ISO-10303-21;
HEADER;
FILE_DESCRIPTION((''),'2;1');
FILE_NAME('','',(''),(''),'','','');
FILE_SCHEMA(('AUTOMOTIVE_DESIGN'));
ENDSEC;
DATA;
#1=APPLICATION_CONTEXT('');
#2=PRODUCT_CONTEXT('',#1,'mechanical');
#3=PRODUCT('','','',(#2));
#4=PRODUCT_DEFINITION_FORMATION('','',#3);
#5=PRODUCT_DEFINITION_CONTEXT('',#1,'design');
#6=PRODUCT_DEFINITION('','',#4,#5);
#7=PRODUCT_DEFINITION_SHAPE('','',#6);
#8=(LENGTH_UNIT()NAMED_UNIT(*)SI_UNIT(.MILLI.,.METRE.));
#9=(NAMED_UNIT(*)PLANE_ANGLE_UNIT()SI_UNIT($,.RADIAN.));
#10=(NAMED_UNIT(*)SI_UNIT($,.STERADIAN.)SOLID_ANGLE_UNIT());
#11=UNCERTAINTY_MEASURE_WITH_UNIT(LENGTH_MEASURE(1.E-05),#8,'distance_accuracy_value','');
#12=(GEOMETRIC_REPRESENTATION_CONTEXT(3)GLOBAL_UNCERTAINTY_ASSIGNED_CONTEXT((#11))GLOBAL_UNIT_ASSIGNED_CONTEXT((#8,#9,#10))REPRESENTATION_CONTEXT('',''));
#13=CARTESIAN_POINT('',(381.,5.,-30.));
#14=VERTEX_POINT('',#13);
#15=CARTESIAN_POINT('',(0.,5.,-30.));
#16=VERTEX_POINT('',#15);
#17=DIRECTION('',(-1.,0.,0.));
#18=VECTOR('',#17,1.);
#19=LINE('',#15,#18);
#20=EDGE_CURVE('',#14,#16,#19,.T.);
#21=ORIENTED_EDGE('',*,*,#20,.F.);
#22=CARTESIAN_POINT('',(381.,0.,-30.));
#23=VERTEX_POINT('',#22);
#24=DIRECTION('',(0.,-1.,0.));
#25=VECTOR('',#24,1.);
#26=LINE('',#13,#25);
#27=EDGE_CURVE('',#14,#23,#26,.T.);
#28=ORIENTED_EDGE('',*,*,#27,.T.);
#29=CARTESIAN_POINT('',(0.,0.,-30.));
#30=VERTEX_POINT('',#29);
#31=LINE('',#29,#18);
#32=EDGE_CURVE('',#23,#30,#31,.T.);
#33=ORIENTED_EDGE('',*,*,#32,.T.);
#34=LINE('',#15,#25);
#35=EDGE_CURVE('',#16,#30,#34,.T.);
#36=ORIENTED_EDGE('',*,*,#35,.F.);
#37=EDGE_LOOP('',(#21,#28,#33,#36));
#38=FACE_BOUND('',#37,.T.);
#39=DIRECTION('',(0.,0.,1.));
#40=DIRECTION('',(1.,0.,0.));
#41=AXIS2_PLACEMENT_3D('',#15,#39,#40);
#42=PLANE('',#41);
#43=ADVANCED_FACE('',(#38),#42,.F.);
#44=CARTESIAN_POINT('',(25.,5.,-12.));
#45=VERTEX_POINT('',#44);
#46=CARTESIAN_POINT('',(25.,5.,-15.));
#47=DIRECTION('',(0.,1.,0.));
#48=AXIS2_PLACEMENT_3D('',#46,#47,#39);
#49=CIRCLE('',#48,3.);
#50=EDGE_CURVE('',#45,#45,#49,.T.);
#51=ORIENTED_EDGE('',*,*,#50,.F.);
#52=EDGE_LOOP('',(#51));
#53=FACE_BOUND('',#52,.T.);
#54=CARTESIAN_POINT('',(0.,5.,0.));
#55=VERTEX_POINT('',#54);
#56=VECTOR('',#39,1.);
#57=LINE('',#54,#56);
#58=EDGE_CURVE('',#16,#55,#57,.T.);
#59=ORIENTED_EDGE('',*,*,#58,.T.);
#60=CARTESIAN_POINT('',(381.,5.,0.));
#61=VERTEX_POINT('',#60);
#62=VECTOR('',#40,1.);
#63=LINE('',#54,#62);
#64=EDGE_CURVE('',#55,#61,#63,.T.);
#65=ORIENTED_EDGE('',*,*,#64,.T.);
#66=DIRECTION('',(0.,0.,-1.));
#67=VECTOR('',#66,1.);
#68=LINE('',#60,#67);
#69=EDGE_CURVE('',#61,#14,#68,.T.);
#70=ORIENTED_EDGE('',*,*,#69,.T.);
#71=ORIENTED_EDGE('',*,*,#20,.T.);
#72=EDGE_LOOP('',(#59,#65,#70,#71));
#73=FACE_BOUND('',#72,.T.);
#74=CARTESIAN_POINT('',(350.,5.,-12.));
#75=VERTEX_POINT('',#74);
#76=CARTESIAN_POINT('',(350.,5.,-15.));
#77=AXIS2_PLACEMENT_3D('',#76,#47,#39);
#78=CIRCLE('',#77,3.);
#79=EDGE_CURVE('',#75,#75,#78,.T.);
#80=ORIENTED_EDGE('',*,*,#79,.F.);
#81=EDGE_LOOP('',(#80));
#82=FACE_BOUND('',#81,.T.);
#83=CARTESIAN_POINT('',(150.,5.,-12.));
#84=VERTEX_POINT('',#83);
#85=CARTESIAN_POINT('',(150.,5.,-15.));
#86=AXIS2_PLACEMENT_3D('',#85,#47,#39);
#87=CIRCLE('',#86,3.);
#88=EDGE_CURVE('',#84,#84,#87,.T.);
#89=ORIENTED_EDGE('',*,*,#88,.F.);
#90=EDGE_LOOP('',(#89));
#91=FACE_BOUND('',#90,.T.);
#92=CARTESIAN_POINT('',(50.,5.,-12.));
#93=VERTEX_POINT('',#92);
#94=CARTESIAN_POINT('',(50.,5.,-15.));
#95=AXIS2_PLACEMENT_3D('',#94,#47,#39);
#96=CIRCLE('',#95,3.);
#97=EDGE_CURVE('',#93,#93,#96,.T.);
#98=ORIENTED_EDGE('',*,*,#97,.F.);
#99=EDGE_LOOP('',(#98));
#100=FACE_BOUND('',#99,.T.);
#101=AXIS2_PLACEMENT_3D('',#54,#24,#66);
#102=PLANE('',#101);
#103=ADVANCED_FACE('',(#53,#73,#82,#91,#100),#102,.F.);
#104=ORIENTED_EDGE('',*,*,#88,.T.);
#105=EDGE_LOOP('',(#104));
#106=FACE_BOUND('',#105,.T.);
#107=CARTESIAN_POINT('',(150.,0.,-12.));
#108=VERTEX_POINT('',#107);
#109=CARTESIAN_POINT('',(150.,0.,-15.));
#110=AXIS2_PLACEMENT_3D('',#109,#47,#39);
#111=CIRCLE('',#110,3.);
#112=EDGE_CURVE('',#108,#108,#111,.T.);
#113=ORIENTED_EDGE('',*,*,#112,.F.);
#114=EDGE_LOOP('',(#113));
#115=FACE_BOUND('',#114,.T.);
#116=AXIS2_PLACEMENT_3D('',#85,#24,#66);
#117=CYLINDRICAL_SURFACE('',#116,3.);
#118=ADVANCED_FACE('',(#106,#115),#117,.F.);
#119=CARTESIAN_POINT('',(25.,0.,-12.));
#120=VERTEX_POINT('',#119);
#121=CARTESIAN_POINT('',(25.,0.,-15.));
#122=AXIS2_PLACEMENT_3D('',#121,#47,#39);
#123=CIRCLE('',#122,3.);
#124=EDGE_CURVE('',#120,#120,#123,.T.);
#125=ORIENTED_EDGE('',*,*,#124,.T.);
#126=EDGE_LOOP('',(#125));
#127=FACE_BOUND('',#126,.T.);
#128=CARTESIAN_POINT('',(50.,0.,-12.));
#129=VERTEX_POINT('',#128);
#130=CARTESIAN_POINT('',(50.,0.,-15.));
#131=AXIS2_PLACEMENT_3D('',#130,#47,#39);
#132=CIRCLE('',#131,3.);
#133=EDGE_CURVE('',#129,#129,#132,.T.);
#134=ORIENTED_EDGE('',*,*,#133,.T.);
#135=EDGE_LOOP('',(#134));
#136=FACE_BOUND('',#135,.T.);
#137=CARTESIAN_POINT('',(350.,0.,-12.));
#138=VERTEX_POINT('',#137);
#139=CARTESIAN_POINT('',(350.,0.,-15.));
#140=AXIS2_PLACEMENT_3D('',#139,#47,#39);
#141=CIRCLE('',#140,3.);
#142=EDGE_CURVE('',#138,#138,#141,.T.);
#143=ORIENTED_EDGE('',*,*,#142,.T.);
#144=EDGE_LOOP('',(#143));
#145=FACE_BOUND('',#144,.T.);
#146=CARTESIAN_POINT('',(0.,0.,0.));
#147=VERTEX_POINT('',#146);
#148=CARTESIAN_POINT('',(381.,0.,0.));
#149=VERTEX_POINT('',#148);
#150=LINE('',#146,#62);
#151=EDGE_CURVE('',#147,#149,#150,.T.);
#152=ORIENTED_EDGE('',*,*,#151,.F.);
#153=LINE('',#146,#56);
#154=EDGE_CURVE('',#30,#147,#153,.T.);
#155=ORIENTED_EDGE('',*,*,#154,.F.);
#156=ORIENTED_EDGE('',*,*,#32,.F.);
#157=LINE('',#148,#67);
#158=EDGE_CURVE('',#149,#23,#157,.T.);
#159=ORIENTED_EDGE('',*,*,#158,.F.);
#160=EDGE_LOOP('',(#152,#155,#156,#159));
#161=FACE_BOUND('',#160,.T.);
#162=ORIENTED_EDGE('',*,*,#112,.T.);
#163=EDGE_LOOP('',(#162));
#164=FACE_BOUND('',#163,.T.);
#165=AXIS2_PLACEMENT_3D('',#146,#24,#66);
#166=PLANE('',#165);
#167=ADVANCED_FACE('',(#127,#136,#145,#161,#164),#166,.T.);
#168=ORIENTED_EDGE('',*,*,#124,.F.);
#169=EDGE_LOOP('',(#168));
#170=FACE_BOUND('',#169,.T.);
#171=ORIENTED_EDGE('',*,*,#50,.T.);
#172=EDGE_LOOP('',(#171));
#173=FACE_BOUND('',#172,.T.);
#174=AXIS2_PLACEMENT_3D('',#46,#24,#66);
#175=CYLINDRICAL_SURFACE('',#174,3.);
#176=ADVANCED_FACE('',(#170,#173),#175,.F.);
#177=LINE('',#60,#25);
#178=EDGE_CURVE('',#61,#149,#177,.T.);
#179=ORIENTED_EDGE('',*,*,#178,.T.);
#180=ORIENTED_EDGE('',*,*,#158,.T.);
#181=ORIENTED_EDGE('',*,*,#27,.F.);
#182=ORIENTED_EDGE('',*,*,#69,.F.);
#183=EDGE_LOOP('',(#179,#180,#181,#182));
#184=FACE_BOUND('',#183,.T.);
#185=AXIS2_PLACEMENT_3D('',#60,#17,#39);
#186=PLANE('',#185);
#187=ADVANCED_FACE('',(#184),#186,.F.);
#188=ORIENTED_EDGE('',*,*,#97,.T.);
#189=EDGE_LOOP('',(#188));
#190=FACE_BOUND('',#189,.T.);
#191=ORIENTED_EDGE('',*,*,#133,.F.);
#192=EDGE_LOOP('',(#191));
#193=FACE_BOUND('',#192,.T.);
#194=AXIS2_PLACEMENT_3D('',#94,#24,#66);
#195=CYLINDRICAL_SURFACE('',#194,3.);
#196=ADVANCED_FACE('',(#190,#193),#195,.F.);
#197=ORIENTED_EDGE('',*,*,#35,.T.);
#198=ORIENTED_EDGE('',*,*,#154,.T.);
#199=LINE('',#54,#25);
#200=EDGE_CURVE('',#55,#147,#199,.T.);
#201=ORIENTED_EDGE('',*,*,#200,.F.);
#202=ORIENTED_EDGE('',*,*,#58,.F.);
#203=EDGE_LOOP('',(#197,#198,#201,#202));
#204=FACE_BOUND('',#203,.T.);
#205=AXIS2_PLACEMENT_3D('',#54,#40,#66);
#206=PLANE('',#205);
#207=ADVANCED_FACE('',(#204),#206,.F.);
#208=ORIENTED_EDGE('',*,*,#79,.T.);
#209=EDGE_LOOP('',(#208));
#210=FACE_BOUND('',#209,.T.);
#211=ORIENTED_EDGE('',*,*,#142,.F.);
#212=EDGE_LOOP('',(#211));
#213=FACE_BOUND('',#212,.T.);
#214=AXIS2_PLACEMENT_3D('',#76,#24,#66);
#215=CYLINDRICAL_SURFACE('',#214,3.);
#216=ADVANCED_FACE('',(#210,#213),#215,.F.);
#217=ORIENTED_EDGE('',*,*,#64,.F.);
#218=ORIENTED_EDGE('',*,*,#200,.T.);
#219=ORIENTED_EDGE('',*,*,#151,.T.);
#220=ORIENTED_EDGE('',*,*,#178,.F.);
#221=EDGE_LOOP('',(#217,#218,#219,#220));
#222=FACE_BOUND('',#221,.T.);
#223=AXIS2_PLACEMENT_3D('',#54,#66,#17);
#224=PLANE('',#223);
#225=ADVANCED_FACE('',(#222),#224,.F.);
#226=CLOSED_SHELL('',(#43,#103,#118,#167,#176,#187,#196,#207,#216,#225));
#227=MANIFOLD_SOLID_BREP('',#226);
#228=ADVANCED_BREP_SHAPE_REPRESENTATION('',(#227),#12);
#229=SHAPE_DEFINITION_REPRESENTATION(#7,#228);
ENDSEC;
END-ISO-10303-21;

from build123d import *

# Parameters (mm, degrees)
SKETCH1_W           = 381
SKETCH1_H           = 30
SKETCH1_R           = 3
BOSS_EXTRUDE1_DEPTH = 5


with BuildPart() as part:
    # Sketch1 → Boss-Extrude1 (new body)
    with BuildSketch(Plane(origin=(0, 0, 0), x_dir=(1, 0, 0), z_dir=(0, 1, 0))):
        with Locations((190.5, 15)):
            Rectangle(SKETCH1_W, SKETCH1_H)
        with Locations(Location((25, 15, 0), (0, 0, 270))):
            Circle(SKETCH1_R, mode=Mode.SUBTRACT)
        with Locations(Location((50, 15, 0), (0, 0, 270))):
            Circle(SKETCH1_R, mode=Mode.SUBTRACT)
        with Locations(Location((150, 15, 0), (0, 0, 270))):
            Circle(SKETCH1_R, mode=Mode.SUBTRACT)
        with Locations(Location((350, 15, 0), (0, 0, 270))):
            Circle(SKETCH1_R, mode=Mode.SUBTRACT)
    extrude(amount=BOSS_EXTRUDE1_DEPTH)


solid = part.part
